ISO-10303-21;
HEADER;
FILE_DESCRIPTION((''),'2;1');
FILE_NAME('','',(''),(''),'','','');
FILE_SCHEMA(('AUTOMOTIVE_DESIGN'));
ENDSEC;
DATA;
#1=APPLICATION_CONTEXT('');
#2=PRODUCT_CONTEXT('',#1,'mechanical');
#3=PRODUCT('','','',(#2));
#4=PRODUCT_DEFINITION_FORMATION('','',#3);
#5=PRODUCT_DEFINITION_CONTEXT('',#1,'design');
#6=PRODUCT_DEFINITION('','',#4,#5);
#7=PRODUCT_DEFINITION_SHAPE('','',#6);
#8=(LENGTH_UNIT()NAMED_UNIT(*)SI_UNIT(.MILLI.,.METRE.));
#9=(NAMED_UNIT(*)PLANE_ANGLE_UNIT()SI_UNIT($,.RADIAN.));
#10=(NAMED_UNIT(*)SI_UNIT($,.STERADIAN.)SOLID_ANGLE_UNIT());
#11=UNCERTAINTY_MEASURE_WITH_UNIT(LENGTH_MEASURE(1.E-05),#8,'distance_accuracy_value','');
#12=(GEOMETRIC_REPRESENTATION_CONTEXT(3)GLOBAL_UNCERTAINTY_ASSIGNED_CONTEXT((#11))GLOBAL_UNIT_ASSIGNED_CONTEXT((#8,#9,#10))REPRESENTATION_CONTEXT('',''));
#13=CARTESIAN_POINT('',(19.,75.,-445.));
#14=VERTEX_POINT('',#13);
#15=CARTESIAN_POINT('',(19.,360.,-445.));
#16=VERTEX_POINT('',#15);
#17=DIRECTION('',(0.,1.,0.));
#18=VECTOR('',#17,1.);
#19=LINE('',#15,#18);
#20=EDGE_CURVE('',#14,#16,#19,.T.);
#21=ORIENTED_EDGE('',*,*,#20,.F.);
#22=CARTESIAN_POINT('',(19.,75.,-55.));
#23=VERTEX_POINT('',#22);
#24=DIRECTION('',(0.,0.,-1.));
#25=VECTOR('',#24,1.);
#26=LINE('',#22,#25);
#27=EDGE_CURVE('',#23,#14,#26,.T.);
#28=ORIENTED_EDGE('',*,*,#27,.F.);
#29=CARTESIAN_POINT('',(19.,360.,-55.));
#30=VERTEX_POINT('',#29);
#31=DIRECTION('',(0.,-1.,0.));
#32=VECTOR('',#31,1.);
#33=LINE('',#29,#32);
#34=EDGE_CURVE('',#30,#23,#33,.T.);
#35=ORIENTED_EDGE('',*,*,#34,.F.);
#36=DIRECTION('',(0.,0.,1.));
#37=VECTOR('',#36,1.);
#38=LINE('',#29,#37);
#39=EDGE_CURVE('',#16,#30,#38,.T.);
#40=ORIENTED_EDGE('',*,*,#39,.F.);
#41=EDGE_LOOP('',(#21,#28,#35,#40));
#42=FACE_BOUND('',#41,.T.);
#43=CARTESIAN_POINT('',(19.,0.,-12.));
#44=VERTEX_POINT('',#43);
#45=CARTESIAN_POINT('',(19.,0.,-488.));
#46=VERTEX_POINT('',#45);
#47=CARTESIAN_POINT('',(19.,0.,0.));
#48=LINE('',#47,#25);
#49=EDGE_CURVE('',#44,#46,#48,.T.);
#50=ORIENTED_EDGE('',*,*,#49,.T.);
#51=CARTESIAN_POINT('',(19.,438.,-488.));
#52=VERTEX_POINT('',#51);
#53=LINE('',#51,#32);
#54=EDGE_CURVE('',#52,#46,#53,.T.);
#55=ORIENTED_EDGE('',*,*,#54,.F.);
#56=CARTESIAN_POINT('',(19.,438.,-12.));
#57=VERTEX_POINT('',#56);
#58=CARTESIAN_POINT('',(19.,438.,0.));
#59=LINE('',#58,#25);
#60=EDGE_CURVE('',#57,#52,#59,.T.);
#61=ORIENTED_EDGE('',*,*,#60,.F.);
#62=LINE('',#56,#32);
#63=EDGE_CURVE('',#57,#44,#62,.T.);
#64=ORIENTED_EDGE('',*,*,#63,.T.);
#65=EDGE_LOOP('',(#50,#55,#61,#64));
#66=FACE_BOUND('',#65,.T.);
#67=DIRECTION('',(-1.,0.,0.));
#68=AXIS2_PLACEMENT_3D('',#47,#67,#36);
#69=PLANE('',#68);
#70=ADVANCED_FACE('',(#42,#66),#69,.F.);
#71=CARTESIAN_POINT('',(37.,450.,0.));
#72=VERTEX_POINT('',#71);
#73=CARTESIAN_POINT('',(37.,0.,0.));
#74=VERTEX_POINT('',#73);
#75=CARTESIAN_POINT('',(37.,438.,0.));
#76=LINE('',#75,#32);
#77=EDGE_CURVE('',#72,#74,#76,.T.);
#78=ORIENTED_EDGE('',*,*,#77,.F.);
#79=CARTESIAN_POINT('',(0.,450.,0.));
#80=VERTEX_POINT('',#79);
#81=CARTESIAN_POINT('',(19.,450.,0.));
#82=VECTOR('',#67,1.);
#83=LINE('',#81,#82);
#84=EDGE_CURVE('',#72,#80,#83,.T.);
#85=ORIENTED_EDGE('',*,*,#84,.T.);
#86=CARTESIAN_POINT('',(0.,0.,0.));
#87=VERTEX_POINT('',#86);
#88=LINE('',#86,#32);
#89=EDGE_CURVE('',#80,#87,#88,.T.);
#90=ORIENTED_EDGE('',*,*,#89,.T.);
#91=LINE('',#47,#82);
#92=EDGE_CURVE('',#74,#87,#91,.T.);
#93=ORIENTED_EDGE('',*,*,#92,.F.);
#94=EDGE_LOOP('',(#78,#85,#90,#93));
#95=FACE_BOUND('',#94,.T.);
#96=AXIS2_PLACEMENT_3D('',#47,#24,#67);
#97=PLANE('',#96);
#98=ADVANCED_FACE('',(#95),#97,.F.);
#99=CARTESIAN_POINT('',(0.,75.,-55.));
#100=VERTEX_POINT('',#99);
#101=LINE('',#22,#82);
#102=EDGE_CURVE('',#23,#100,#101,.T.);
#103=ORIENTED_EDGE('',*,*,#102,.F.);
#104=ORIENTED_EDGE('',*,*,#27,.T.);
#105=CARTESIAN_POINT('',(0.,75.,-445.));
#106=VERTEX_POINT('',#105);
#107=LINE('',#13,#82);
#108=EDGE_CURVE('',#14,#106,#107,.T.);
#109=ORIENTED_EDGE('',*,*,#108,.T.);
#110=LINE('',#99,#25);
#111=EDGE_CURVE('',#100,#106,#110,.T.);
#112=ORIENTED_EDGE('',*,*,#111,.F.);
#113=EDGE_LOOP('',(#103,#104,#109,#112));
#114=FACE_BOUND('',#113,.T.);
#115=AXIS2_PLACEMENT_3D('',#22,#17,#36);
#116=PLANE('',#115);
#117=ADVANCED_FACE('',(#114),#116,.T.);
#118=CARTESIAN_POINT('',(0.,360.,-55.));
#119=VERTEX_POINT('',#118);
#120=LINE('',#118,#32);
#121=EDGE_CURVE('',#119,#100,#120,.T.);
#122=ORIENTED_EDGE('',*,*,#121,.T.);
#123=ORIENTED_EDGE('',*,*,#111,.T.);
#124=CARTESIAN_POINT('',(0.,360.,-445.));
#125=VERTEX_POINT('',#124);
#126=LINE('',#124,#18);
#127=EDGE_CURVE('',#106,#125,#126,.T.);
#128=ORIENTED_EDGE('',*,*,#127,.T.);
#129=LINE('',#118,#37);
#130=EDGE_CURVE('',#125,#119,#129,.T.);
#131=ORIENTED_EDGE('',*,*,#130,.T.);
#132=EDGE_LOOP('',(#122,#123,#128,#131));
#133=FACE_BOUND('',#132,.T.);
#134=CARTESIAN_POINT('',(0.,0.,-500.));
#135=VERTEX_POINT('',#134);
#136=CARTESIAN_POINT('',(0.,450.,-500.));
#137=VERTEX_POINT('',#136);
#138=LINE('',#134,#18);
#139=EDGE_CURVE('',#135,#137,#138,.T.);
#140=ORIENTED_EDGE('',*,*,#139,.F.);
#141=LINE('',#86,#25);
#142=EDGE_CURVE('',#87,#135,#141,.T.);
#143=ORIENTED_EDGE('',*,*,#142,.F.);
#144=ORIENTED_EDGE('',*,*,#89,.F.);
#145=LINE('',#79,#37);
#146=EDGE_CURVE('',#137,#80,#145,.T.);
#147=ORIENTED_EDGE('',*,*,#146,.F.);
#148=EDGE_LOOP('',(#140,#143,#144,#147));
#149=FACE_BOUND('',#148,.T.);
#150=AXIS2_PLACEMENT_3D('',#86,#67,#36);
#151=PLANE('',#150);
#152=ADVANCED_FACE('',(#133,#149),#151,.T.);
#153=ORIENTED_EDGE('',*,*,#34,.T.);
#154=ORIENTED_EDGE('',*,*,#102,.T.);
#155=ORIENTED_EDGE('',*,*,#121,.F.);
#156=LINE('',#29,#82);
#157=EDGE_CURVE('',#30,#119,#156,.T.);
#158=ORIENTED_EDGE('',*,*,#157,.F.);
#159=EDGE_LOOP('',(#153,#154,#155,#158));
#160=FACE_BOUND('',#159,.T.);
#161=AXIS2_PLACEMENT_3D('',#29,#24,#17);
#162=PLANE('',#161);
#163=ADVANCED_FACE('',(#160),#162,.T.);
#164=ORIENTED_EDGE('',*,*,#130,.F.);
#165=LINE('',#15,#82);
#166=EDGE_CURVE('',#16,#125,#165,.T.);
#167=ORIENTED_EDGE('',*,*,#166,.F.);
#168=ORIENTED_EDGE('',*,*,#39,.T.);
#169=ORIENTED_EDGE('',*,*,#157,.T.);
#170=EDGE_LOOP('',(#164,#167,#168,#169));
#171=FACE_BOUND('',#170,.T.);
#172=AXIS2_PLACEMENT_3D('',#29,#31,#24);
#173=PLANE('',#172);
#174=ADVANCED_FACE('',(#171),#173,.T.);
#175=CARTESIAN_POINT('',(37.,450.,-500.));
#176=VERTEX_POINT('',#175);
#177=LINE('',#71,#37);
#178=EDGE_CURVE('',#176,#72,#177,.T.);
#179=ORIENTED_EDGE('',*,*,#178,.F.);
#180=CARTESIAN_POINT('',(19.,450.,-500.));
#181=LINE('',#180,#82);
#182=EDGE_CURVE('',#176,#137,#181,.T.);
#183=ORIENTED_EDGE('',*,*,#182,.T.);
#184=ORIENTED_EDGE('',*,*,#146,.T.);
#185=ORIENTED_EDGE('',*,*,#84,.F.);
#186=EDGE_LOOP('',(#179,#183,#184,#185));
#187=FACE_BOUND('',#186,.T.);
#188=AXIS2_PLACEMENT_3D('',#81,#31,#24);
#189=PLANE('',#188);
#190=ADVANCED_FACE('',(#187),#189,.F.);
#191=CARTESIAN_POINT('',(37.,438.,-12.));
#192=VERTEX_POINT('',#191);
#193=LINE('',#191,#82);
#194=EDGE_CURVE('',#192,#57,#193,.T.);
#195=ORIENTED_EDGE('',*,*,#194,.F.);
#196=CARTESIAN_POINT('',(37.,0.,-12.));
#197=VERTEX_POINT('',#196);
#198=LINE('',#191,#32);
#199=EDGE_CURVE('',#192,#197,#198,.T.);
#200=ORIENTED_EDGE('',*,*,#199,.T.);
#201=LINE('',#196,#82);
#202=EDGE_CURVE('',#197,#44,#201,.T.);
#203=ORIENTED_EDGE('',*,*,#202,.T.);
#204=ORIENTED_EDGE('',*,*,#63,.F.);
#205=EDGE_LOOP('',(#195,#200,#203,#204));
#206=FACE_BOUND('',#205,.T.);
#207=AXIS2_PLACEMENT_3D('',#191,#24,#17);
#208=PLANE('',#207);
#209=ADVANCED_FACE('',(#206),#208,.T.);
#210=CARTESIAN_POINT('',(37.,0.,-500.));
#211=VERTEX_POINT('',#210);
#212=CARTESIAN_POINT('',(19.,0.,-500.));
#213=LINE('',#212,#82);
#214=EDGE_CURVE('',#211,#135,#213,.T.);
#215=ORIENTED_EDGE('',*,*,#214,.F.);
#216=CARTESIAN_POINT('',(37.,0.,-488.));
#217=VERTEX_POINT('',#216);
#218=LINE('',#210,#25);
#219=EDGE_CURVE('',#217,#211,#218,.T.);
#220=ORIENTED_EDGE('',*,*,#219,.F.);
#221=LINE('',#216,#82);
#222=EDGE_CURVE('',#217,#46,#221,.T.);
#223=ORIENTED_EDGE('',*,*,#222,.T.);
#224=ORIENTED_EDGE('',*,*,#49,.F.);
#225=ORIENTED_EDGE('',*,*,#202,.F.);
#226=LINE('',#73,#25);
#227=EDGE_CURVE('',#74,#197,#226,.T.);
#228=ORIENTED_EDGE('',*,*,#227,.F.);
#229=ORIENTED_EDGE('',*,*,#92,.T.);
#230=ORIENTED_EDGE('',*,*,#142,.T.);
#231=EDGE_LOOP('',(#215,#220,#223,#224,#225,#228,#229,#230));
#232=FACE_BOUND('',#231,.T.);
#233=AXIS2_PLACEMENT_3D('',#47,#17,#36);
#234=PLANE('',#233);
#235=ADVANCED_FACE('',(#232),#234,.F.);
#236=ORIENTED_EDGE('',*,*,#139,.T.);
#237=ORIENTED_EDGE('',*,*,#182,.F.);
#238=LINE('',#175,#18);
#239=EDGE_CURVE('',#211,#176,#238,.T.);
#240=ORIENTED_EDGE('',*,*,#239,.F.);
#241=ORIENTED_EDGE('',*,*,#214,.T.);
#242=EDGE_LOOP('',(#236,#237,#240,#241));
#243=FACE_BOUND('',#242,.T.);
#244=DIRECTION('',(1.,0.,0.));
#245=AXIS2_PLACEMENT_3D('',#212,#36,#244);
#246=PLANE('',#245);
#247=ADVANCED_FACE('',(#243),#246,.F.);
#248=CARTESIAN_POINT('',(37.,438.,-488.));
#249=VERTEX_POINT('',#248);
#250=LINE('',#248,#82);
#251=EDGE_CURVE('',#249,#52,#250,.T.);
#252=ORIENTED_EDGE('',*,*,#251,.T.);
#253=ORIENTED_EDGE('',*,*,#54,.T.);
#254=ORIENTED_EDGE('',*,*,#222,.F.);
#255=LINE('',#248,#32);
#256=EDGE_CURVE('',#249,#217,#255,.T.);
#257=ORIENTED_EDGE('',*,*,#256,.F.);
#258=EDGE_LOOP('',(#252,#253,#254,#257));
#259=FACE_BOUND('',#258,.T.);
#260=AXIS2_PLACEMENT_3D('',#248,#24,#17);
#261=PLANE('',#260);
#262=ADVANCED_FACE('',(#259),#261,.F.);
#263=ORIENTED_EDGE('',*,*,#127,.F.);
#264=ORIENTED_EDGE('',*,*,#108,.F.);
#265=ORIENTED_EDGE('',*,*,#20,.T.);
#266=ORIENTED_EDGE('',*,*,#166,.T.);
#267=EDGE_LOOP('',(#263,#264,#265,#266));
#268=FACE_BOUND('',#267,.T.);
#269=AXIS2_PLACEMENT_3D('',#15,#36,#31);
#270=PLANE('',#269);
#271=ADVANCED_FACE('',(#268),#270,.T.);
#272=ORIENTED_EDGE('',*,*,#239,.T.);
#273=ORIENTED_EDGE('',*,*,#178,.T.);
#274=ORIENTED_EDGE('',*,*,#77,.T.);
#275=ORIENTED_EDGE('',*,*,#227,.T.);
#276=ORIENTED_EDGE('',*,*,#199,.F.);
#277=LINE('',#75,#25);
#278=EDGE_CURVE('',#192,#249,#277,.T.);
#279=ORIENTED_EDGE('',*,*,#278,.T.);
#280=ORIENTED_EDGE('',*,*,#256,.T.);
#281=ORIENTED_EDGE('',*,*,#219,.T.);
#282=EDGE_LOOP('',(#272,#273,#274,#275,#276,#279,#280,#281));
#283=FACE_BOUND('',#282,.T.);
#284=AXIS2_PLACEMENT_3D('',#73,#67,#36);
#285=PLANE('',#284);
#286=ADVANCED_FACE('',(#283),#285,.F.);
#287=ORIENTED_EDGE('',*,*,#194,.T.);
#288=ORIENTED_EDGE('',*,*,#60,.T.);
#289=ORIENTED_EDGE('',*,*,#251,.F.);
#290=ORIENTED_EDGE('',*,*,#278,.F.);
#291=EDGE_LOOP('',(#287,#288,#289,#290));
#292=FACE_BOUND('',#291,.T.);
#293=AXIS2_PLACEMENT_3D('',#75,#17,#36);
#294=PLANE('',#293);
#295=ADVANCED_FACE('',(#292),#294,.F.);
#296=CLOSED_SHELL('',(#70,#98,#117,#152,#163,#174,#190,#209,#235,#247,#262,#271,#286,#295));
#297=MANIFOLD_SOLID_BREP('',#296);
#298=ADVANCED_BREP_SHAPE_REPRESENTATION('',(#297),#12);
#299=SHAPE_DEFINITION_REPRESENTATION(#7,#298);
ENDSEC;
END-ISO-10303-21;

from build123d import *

# Parameters (mm, degrees)
SKETCH1_W           = 500
SKETCH1_H           = 450
SKETCH1_W_2         = 390
SKETCH1_H_2         = 285
BOSS_EXTRUDE1_DEPTH = 19
SKETCH2_W           = 12
SKETCH2_H           = 438
BOSS_EXTRUDE4_DEPTH = 18
SKETCH3_W           = 500
SKETCH3_H           = 12
BOSS_EXTRUDE5_DEPTH = 18
SKETCH4_W           = 12
SKETCH4_H           = 438
BOSS_EXTRUDE6_DEPTH = 18


with BuildPart() as part:
    # Sketch1 → Boss-Extrude1 (new body)
    with BuildSketch(Plane(origin=(0, 0, 0), x_dir=(0, 0, -1), z_dir=(1, 0, 0))):
        with Locations((250, 225)):
            Rectangle(SKETCH1_W, SKETCH1_H)
        with Locations((250, 217.5)):
            Rectangle(SKETCH1_W_2, SKETCH1_H_2, mode=Mode.SUBTRACT)
    extrude(amount=BOSS_EXTRUDE1_DEPTH)

    # Sketch2 → Boss-Extrude4 (add)
    with BuildSketch(Plane(origin=(19, 0, 0), x_dir=(0, 0, -1), z_dir=(1, 0, 0))):
        with Locations((6, 219)):
            Rectangle(SKETCH2_W, SKETCH2_H)
    extrude(amount=BOSS_EXTRUDE4_DEPTH)

    # Sketch3 → Boss-Extrude5 (add)
    with BuildSketch(Plane(origin=(19, 0, 0), x_dir=(0, 0, -1), z_dir=(1, 0, 0))):
        with Locations((250, 444)):
            Rectangle(SKETCH3_W, SKETCH3_H)
    extrude(amount=BOSS_EXTRUDE5_DEPTH)

    # Sketch4 → Boss-Extrude6 (add)
    with BuildSketch(Plane(origin=(19, 0, 0), x_dir=(0, 0, -1), z_dir=(1, 0, 0))):
        with Locations((494, 219)):
            Rectangle(SKETCH4_W, SKETCH4_H)
    extrude(amount=BOSS_EXTRUDE6_DEPTH)


solid = part.part
